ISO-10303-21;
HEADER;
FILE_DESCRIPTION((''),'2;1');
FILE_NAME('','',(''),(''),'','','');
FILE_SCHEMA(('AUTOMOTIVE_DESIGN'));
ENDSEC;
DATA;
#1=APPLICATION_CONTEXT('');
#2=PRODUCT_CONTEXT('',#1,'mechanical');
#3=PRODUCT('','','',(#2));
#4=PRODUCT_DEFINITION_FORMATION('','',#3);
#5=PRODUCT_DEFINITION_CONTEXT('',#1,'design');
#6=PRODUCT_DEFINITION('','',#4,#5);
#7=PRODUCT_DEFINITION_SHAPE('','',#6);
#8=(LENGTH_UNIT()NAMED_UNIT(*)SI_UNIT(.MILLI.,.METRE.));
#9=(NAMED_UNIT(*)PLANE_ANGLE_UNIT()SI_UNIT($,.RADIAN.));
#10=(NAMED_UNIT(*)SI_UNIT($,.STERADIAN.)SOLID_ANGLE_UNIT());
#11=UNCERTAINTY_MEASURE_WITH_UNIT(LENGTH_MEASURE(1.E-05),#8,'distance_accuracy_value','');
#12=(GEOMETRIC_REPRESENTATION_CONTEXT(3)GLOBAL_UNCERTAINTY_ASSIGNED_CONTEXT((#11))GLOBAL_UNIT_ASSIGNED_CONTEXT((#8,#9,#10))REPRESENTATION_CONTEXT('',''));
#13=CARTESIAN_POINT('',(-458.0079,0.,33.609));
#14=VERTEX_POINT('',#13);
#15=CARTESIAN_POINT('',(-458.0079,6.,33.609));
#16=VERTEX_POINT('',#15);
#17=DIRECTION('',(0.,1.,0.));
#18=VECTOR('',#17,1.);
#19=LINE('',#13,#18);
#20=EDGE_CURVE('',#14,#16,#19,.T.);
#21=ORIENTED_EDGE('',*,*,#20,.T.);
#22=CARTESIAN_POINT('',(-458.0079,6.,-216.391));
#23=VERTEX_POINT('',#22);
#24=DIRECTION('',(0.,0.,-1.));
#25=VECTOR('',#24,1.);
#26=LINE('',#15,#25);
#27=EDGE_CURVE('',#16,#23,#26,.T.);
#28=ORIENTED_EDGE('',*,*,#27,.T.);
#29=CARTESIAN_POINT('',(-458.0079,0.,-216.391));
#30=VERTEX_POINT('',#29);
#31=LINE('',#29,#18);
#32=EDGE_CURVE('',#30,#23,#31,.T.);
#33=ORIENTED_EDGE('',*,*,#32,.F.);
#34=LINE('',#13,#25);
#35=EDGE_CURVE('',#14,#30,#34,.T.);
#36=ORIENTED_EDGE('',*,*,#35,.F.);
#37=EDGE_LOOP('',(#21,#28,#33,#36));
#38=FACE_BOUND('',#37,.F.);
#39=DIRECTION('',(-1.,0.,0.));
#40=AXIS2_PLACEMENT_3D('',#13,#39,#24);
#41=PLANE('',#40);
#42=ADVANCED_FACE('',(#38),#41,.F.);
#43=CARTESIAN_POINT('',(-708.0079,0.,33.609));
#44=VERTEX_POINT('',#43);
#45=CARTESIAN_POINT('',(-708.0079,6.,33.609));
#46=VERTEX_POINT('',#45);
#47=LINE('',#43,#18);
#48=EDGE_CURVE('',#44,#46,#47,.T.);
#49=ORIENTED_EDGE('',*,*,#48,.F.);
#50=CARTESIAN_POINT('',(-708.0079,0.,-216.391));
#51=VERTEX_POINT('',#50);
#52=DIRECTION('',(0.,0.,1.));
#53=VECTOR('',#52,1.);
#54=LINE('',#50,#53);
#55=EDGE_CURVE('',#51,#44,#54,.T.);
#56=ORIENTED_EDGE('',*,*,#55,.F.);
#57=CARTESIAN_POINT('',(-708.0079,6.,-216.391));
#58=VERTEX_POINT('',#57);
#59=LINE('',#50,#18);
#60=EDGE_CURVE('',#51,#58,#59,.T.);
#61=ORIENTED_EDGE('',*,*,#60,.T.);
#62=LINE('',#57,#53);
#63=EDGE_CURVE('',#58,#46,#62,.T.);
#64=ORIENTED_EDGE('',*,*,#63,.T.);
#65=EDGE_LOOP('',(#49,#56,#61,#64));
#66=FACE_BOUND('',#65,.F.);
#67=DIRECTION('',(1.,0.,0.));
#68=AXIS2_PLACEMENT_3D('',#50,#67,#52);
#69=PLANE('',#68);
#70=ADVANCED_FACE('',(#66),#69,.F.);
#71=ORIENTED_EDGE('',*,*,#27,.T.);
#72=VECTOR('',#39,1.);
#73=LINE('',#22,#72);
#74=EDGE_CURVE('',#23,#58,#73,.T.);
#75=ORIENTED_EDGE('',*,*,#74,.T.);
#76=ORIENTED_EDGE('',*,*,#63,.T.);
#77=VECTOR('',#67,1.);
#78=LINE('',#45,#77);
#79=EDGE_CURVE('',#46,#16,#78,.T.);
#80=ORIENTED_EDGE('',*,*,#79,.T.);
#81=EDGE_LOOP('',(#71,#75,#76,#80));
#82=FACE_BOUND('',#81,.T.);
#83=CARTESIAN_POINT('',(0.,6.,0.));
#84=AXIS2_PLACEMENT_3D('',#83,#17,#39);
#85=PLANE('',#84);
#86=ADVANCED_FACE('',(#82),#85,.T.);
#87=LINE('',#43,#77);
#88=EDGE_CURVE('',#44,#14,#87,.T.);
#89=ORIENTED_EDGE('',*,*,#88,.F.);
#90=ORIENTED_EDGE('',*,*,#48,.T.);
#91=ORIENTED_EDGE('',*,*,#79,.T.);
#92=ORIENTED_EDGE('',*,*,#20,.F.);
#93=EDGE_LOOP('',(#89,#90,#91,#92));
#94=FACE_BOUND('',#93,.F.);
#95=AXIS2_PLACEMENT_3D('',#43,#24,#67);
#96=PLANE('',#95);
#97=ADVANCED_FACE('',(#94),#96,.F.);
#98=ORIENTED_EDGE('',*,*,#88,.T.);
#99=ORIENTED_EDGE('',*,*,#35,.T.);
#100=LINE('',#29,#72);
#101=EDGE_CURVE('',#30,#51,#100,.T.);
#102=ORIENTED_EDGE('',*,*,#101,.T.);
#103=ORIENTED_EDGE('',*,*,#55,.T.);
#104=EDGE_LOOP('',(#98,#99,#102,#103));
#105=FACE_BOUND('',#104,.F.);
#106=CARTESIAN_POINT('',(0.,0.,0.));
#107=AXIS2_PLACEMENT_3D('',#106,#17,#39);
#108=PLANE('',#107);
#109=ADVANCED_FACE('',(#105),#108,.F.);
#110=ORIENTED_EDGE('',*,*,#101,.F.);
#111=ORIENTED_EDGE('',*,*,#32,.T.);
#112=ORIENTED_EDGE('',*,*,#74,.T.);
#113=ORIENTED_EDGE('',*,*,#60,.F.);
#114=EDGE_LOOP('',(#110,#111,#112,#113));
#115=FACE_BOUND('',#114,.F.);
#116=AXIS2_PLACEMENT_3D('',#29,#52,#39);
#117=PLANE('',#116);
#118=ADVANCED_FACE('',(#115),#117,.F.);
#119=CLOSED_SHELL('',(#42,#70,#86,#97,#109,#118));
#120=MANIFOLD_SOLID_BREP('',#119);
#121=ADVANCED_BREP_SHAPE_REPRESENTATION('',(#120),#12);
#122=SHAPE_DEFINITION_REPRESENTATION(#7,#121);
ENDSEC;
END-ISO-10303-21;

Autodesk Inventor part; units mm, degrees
ref_plane "YZ Plane" through (0, 0, 0) normal (1, 0, 0) x (0, 1, 0)
ref_plane "XZ Plane" through (0, 0, 0) normal (0, 1, 0) x (-1, 0, 0)
ref_plane "XY Plane" through (0, 0, 0) normal (0, 0, 1) x (1, 0, 0)
sketch "Эскиз1" plane through (0, 0, 0) normal (0, 1, 0) x (-1, 0, 0)
  line L0 (708.0079, 33.609) -> (458.0079, 33.609)
  line L1 (458.0079, 33.609) -> (458.0079, -216.391)
  line L2 (458.0079, -216.391) -> (708.0079, -216.391)
  line L3 (708.0079, -216.391) -> (708.0079, 33.609)
  point P0 (0, 0)
  dimension "d0" = 250
  dimension "d1" = 250
extrude "Выдавливание1" add sketch "Эскиз1" along normal blind 6
properties part number "доска"
